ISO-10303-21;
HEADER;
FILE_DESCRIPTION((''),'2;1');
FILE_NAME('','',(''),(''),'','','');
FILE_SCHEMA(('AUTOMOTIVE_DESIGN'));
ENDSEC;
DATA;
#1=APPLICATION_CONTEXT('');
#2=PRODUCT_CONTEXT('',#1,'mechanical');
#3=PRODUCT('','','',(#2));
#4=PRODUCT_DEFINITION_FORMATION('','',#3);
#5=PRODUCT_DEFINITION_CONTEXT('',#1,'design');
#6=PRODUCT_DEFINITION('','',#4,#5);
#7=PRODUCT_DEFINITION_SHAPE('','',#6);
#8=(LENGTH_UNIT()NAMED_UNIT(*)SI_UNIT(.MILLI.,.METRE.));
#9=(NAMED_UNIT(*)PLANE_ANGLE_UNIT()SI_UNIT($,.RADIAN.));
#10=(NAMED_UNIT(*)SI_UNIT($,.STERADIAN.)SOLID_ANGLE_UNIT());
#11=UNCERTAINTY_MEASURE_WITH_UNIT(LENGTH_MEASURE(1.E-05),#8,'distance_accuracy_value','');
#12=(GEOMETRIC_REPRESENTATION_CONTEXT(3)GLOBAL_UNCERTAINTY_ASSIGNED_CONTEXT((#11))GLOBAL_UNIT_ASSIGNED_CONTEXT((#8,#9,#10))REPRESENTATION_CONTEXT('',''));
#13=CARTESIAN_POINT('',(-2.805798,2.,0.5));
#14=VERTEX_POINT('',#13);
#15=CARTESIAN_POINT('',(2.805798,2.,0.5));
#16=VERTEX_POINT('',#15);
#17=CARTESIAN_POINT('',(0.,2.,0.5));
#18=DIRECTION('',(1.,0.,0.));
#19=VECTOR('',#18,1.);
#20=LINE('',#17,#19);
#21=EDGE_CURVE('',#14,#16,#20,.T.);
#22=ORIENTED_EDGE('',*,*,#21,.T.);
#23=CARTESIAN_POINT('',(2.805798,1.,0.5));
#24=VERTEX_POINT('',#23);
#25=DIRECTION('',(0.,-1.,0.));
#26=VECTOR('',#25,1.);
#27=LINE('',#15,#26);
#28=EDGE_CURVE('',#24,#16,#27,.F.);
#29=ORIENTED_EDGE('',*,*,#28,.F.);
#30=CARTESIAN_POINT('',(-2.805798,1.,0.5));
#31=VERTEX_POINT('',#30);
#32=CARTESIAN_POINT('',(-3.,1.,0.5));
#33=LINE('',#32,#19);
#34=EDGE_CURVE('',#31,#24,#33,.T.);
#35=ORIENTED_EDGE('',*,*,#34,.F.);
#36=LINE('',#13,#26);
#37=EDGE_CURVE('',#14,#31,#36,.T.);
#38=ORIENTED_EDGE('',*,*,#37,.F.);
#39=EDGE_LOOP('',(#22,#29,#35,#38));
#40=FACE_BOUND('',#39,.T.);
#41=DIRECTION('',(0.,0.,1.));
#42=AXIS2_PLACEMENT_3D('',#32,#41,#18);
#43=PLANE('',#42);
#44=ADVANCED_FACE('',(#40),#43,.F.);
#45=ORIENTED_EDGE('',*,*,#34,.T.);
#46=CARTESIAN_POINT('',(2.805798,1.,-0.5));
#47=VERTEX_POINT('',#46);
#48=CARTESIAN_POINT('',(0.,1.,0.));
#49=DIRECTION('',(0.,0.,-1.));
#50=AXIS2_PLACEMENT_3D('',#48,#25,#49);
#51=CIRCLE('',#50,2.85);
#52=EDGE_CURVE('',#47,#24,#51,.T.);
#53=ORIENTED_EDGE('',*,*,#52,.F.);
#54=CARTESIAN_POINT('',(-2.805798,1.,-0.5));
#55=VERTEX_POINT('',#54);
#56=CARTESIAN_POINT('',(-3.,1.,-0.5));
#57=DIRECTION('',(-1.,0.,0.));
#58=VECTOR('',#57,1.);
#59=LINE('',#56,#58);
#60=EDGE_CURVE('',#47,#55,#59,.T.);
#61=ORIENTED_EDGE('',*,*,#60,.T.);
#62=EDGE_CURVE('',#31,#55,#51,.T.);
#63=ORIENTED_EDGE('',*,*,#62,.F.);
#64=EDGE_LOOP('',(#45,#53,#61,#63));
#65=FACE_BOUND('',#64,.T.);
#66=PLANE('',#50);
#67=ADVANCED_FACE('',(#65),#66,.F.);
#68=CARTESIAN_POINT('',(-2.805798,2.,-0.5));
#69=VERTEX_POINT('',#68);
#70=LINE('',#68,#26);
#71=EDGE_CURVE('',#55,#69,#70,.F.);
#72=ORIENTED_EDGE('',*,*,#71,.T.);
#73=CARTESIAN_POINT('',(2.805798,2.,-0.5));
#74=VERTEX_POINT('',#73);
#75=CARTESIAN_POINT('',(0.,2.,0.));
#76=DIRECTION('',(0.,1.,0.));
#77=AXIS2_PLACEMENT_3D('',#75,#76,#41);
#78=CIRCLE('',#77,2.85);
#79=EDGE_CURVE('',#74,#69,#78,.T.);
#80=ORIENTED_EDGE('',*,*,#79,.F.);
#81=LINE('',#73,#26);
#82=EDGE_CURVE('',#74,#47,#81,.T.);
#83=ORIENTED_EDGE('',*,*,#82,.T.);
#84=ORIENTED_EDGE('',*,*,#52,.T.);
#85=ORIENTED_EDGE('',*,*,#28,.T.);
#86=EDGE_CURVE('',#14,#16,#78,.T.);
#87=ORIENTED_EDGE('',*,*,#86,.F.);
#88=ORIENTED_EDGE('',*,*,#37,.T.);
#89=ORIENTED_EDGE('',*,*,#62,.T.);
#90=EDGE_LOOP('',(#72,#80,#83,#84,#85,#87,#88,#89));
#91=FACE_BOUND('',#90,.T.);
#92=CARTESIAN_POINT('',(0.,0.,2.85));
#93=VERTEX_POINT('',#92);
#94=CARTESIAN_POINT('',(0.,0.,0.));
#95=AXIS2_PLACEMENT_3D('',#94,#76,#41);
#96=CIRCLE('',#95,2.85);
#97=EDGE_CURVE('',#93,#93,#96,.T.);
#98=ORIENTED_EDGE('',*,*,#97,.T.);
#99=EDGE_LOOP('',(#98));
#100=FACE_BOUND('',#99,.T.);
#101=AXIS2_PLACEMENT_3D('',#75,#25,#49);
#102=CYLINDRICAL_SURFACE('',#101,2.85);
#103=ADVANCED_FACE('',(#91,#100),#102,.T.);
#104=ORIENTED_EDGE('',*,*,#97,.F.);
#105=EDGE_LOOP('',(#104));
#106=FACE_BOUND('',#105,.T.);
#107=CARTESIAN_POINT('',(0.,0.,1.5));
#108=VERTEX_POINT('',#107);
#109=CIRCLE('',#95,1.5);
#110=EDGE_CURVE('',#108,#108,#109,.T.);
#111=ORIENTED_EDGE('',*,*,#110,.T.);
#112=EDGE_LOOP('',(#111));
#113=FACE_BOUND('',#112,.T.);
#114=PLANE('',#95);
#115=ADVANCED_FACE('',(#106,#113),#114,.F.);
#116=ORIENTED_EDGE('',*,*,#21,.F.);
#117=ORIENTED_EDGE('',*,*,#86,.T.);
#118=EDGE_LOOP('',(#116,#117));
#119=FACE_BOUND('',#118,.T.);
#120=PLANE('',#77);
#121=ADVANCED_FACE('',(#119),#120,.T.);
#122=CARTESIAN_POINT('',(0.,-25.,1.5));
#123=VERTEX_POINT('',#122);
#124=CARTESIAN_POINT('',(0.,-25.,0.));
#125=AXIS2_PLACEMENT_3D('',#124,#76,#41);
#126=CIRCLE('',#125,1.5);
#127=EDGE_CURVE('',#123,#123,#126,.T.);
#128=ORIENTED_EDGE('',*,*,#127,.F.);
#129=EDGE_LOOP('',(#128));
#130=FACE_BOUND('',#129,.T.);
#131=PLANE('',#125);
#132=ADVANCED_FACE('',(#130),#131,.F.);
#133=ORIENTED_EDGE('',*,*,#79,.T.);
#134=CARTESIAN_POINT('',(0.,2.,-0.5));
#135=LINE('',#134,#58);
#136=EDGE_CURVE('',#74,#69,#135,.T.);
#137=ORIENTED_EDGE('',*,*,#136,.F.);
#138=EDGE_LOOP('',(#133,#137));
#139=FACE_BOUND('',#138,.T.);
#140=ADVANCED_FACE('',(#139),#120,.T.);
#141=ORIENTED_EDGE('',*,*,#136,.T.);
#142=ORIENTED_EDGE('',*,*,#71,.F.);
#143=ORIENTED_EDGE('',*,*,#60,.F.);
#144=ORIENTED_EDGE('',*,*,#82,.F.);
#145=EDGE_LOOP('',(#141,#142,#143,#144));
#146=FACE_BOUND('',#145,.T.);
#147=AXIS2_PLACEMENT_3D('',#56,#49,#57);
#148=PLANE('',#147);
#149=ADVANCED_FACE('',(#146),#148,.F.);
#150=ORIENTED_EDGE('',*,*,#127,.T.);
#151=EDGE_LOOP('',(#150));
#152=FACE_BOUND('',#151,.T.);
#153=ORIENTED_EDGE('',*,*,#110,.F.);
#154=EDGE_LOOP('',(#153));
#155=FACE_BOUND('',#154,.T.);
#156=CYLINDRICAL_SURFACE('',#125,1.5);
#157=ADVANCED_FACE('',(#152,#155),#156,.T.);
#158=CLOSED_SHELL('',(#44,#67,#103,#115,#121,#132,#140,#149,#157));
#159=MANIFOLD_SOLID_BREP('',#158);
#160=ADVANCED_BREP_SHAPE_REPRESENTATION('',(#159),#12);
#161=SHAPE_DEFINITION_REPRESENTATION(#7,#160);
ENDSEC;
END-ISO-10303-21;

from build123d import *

# Parameters (mm, degrees)
SKETCH1_R           = 2.85
BOSS_EXTRUDE1_DEPTH = 2
SKETCH2_R           = 1.5
BOSS_EXTRUDE2_DEPTH = 25
SKETCH3_W           = 6
SKETCH3_H           = 1
CUT_EXTRUDE1_DEPTH  = 1


with BuildPart() as part:
    # Sketch1 → Boss-Extrude1 (new body)
    with BuildSketch(Plane(origin=(0, 0, 0), x_dir=(1, 0, 0), z_dir=(0, 1, 0))):
        with Locations(Location((0, 0, 0), (0, 0, 270))):
            Circle(SKETCH1_R)
    extrude(amount=BOSS_EXTRUDE1_DEPTH)

    # Sketch2 → Boss-Extrude2 (add)
    with BuildSketch(Plane(origin=(0, 0, 0), x_dir=(1, 0, 0), z_dir=(0, 1, 0))):
        with Locations(Location((0, 0, 0), (0, 0, 270))):
            Circle(SKETCH2_R)
    extrude(amount=-BOSS_EXTRUDE2_DEPTH)

    # Sketch3 → Cut-Extrude1 (cut)
    with BuildSketch(Plane(origin=(0, 2, 0), x_dir=(1, 0, 0), z_dir=(0, 1, 0))):
        Rectangle(SKETCH3_W, SKETCH3_H)
    extrude(amount=-CUT_EXTRUDE1_DEPTH, mode=Mode.SUBTRACT)


solid = part.part
